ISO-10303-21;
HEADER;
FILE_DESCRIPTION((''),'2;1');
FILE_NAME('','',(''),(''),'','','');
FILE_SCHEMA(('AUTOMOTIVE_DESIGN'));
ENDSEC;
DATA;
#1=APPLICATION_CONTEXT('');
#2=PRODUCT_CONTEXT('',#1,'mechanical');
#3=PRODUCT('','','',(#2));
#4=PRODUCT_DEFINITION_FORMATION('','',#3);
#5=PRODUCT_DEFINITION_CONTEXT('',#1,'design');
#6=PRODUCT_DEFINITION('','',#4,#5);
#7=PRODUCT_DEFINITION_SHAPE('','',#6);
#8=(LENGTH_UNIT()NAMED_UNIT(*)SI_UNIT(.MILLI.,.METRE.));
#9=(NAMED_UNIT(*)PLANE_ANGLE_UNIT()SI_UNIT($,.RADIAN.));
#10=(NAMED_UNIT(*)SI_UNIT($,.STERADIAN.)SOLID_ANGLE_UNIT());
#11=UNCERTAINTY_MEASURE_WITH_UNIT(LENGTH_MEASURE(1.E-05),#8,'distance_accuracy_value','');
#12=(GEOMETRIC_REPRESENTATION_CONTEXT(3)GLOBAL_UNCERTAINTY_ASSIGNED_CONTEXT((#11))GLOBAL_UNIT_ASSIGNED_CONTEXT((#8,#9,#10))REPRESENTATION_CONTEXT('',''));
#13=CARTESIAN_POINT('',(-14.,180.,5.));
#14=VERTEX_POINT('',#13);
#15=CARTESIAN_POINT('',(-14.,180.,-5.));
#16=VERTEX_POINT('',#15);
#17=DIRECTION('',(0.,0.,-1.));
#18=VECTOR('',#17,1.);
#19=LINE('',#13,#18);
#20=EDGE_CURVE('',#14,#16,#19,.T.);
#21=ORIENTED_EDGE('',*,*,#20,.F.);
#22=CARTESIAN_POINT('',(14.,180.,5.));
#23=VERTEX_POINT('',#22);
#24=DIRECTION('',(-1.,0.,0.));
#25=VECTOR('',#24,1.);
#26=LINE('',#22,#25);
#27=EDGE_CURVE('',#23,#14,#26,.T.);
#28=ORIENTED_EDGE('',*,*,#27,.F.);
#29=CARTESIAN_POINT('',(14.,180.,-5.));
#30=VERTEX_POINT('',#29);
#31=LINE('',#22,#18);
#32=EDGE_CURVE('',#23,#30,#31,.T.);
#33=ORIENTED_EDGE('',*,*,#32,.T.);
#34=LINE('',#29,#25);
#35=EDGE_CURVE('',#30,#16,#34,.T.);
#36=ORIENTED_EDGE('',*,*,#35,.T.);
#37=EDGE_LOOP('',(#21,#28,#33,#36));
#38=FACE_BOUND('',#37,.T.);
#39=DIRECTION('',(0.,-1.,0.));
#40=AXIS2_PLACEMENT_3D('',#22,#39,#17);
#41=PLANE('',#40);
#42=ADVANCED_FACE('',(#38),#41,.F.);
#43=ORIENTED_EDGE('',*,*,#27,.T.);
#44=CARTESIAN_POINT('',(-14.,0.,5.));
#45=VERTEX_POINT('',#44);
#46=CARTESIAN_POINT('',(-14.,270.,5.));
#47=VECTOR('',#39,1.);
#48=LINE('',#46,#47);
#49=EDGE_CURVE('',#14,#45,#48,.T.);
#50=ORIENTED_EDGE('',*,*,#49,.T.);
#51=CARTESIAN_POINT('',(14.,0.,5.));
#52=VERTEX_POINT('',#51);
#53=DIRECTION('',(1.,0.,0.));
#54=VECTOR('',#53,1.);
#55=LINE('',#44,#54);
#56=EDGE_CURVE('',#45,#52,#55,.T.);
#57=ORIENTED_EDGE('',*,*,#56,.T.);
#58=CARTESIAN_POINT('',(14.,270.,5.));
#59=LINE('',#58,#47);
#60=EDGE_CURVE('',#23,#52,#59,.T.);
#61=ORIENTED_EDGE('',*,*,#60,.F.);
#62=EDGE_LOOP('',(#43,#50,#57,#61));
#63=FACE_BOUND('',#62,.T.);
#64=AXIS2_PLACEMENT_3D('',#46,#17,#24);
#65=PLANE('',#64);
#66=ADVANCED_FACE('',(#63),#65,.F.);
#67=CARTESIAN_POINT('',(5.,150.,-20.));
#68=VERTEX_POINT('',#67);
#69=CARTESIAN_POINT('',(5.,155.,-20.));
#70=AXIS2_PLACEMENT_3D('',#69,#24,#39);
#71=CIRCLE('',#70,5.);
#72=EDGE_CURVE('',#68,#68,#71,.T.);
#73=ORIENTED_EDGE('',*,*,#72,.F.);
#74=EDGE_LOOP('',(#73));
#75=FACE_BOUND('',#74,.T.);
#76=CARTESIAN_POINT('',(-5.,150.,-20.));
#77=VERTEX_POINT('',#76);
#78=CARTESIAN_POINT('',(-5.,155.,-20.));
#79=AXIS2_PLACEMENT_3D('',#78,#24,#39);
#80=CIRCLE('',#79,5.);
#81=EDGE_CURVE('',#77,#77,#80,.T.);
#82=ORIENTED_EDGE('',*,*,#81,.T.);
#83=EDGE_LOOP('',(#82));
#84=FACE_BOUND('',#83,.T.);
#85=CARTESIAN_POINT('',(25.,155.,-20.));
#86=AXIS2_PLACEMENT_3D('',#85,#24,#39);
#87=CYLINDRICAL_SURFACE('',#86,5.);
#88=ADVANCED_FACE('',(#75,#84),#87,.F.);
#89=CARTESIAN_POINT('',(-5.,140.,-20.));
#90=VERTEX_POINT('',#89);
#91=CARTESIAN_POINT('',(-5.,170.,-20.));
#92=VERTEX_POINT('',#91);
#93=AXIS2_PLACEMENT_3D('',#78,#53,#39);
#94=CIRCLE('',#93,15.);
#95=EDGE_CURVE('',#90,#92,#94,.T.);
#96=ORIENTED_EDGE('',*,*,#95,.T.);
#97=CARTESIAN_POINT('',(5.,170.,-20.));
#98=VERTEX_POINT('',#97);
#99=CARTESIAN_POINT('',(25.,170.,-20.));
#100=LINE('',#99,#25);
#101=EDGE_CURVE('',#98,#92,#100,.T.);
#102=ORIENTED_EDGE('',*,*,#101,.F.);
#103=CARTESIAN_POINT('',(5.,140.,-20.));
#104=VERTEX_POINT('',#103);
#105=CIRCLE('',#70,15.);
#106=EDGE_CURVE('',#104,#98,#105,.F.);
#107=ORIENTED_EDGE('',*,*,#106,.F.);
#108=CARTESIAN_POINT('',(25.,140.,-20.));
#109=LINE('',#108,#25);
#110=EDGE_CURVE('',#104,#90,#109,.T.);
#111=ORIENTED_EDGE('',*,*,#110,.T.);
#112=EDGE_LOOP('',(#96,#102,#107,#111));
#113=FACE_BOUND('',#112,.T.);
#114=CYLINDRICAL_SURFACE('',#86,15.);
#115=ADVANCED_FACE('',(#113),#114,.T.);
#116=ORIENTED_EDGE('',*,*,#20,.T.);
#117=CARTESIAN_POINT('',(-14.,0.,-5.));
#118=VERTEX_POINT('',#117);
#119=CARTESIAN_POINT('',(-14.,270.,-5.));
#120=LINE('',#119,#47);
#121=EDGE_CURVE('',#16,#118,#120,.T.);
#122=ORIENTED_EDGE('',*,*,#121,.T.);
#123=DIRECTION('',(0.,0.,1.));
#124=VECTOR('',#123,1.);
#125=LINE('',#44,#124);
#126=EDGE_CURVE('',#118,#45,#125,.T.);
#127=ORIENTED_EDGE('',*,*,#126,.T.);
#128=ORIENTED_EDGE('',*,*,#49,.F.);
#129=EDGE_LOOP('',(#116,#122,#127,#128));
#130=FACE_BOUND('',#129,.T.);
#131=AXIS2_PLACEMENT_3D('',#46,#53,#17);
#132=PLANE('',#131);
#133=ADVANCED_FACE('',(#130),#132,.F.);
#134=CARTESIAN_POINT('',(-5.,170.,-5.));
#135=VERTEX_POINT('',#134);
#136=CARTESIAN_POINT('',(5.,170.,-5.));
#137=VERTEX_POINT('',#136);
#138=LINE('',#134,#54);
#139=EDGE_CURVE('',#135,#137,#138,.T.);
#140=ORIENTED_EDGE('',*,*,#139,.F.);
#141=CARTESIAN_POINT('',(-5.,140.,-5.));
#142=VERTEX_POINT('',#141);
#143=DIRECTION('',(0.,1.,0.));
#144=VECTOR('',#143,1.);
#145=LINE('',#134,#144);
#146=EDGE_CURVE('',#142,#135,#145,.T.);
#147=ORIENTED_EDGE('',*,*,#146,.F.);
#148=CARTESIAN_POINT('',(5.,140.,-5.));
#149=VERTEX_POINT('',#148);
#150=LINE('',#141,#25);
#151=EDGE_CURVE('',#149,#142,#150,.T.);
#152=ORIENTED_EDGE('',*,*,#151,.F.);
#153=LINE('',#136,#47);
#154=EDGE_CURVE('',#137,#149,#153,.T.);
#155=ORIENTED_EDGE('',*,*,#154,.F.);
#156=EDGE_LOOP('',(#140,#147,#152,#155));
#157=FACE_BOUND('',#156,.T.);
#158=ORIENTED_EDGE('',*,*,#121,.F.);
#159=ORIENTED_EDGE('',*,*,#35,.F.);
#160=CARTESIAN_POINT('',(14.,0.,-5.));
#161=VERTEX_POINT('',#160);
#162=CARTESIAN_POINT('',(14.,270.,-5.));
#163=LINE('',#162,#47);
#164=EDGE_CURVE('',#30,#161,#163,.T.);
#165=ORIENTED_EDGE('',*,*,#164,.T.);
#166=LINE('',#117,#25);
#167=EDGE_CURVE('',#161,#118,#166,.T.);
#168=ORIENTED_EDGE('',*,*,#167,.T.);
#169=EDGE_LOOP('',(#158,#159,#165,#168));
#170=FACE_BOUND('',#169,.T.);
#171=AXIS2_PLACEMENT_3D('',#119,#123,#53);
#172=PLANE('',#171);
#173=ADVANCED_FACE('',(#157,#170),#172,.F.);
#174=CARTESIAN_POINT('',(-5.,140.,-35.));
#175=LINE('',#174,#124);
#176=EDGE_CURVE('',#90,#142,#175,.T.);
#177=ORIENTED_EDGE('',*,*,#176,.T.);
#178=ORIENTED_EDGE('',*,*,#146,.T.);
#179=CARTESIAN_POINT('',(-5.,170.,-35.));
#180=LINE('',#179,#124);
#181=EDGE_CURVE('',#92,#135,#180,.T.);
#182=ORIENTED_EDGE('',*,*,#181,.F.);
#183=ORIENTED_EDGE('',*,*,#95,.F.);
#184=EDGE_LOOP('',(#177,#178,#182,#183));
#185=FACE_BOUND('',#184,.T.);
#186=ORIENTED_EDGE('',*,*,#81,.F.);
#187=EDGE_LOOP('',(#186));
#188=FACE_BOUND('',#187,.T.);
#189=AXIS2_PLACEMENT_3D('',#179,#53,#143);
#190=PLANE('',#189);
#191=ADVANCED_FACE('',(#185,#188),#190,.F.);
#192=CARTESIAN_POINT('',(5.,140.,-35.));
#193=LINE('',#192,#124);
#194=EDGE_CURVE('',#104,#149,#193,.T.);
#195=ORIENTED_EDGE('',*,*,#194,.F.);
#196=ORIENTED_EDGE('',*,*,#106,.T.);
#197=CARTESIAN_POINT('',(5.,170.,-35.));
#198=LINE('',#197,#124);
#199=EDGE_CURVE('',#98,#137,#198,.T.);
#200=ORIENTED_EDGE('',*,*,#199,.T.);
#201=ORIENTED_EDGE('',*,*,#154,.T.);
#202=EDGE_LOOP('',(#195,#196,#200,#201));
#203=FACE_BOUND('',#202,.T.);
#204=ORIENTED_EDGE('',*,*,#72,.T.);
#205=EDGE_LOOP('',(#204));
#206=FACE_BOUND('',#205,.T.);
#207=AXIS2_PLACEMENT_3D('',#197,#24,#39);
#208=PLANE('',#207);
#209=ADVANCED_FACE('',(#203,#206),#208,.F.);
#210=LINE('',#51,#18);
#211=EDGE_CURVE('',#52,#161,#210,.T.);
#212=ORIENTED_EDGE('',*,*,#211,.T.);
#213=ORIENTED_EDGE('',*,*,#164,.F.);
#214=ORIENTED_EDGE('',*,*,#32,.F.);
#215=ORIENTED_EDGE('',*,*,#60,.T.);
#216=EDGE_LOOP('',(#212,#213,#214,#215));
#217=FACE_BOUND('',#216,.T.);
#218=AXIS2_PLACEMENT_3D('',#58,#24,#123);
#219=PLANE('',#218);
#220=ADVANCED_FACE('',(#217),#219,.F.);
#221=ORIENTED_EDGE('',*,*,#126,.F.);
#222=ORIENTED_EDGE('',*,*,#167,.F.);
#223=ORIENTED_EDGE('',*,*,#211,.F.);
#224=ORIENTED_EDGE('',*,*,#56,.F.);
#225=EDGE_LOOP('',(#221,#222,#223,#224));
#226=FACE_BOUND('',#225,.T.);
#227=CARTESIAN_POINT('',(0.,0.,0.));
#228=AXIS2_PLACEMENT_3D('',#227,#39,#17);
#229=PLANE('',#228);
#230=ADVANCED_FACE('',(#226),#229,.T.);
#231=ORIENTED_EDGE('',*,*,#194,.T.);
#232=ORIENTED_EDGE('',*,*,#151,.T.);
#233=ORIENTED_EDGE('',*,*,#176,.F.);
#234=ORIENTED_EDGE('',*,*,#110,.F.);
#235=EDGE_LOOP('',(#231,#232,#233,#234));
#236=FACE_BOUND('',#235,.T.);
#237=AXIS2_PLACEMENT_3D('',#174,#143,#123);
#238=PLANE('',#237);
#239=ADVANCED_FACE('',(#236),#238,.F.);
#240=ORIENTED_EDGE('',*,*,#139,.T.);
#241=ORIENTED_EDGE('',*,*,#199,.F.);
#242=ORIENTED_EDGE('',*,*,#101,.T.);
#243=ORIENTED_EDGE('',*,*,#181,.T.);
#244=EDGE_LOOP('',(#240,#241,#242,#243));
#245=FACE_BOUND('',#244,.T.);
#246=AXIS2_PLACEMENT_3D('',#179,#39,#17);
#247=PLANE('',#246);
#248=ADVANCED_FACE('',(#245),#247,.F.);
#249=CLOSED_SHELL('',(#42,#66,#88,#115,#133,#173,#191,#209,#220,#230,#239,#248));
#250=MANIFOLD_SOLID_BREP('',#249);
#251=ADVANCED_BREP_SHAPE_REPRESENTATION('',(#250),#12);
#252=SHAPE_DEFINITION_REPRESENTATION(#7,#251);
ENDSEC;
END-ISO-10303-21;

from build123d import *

# Parameters (mm, degrees)
SKETCH1_W           = 28
SKETCH1_H           = 10
BOSS_EXTRUDE1_DEPTH = 270
SKETCH2_W           = 10
SKETCH2_H           = 30
BOSS_EXTRUDE2_DEPTH = 30
SKETCH3_R           = 5
CUT_EXTRUDE1_DEPTH  = 30
SKETCH4_W           = 28
SKETCH4_H           = 90
CUT_EXTRUDE2_DEPTH  = 10


with BuildPart() as part:
    # Sketch1 → Boss-Extrude1 (new body)
    with BuildSketch(Plane(origin=(0, 0, 0), x_dir=(1, 0, 0), z_dir=(0, 1, 0))):
        Rectangle(SKETCH1_W, SKETCH1_H)
    extrude(amount=BOSS_EXTRUDE1_DEPTH)

    # Sketch2 → Boss-Extrude2 (add)
    with BuildSketch(Plane(origin=(0, 0, -5), x_dir=(-1, 0, 0), z_dir=(0, 0, -1))):
        with Locations((0, 155)):
            Rectangle(SKETCH2_W, SKETCH2_H)
    extrude(amount=BOSS_EXTRUDE2_DEPTH)

    # Sketch3 → Cut-Extrude1 (cut)
    with BuildSketch(Plane.ZY.offset(5)):
        with Locations((-20, 155)):
            Circle(SKETCH3_R)
        with BuildLine():
            Line((-20, 140), (-48.501597926, 140))
            Line((-48.501597926, 140), (-48.501597926, 172.313488336))
            Line((-48.501597926, 172.313488336), (-20, 170))
            ThreePointArc((-20, 170), (-35, 155), (-20, 140))
        make_face()
    extrude(amount=-CUT_EXTRUDE1_DEPTH, mode=Mode.SUBTRACT)

    # Sketch4 → Cut-Extrude2 (cut)
    with BuildSketch(Plane(origin=(0, 0, -5), x_dir=(-1, 0, 0), z_dir=(0, 0, -1))):
        with Locations((0, 225)):
            Rectangle(SKETCH4_W, SKETCH4_H)
    extrude(amount=-CUT_EXTRUDE2_DEPTH, mode=Mode.SUBTRACT)


solid = part.part
